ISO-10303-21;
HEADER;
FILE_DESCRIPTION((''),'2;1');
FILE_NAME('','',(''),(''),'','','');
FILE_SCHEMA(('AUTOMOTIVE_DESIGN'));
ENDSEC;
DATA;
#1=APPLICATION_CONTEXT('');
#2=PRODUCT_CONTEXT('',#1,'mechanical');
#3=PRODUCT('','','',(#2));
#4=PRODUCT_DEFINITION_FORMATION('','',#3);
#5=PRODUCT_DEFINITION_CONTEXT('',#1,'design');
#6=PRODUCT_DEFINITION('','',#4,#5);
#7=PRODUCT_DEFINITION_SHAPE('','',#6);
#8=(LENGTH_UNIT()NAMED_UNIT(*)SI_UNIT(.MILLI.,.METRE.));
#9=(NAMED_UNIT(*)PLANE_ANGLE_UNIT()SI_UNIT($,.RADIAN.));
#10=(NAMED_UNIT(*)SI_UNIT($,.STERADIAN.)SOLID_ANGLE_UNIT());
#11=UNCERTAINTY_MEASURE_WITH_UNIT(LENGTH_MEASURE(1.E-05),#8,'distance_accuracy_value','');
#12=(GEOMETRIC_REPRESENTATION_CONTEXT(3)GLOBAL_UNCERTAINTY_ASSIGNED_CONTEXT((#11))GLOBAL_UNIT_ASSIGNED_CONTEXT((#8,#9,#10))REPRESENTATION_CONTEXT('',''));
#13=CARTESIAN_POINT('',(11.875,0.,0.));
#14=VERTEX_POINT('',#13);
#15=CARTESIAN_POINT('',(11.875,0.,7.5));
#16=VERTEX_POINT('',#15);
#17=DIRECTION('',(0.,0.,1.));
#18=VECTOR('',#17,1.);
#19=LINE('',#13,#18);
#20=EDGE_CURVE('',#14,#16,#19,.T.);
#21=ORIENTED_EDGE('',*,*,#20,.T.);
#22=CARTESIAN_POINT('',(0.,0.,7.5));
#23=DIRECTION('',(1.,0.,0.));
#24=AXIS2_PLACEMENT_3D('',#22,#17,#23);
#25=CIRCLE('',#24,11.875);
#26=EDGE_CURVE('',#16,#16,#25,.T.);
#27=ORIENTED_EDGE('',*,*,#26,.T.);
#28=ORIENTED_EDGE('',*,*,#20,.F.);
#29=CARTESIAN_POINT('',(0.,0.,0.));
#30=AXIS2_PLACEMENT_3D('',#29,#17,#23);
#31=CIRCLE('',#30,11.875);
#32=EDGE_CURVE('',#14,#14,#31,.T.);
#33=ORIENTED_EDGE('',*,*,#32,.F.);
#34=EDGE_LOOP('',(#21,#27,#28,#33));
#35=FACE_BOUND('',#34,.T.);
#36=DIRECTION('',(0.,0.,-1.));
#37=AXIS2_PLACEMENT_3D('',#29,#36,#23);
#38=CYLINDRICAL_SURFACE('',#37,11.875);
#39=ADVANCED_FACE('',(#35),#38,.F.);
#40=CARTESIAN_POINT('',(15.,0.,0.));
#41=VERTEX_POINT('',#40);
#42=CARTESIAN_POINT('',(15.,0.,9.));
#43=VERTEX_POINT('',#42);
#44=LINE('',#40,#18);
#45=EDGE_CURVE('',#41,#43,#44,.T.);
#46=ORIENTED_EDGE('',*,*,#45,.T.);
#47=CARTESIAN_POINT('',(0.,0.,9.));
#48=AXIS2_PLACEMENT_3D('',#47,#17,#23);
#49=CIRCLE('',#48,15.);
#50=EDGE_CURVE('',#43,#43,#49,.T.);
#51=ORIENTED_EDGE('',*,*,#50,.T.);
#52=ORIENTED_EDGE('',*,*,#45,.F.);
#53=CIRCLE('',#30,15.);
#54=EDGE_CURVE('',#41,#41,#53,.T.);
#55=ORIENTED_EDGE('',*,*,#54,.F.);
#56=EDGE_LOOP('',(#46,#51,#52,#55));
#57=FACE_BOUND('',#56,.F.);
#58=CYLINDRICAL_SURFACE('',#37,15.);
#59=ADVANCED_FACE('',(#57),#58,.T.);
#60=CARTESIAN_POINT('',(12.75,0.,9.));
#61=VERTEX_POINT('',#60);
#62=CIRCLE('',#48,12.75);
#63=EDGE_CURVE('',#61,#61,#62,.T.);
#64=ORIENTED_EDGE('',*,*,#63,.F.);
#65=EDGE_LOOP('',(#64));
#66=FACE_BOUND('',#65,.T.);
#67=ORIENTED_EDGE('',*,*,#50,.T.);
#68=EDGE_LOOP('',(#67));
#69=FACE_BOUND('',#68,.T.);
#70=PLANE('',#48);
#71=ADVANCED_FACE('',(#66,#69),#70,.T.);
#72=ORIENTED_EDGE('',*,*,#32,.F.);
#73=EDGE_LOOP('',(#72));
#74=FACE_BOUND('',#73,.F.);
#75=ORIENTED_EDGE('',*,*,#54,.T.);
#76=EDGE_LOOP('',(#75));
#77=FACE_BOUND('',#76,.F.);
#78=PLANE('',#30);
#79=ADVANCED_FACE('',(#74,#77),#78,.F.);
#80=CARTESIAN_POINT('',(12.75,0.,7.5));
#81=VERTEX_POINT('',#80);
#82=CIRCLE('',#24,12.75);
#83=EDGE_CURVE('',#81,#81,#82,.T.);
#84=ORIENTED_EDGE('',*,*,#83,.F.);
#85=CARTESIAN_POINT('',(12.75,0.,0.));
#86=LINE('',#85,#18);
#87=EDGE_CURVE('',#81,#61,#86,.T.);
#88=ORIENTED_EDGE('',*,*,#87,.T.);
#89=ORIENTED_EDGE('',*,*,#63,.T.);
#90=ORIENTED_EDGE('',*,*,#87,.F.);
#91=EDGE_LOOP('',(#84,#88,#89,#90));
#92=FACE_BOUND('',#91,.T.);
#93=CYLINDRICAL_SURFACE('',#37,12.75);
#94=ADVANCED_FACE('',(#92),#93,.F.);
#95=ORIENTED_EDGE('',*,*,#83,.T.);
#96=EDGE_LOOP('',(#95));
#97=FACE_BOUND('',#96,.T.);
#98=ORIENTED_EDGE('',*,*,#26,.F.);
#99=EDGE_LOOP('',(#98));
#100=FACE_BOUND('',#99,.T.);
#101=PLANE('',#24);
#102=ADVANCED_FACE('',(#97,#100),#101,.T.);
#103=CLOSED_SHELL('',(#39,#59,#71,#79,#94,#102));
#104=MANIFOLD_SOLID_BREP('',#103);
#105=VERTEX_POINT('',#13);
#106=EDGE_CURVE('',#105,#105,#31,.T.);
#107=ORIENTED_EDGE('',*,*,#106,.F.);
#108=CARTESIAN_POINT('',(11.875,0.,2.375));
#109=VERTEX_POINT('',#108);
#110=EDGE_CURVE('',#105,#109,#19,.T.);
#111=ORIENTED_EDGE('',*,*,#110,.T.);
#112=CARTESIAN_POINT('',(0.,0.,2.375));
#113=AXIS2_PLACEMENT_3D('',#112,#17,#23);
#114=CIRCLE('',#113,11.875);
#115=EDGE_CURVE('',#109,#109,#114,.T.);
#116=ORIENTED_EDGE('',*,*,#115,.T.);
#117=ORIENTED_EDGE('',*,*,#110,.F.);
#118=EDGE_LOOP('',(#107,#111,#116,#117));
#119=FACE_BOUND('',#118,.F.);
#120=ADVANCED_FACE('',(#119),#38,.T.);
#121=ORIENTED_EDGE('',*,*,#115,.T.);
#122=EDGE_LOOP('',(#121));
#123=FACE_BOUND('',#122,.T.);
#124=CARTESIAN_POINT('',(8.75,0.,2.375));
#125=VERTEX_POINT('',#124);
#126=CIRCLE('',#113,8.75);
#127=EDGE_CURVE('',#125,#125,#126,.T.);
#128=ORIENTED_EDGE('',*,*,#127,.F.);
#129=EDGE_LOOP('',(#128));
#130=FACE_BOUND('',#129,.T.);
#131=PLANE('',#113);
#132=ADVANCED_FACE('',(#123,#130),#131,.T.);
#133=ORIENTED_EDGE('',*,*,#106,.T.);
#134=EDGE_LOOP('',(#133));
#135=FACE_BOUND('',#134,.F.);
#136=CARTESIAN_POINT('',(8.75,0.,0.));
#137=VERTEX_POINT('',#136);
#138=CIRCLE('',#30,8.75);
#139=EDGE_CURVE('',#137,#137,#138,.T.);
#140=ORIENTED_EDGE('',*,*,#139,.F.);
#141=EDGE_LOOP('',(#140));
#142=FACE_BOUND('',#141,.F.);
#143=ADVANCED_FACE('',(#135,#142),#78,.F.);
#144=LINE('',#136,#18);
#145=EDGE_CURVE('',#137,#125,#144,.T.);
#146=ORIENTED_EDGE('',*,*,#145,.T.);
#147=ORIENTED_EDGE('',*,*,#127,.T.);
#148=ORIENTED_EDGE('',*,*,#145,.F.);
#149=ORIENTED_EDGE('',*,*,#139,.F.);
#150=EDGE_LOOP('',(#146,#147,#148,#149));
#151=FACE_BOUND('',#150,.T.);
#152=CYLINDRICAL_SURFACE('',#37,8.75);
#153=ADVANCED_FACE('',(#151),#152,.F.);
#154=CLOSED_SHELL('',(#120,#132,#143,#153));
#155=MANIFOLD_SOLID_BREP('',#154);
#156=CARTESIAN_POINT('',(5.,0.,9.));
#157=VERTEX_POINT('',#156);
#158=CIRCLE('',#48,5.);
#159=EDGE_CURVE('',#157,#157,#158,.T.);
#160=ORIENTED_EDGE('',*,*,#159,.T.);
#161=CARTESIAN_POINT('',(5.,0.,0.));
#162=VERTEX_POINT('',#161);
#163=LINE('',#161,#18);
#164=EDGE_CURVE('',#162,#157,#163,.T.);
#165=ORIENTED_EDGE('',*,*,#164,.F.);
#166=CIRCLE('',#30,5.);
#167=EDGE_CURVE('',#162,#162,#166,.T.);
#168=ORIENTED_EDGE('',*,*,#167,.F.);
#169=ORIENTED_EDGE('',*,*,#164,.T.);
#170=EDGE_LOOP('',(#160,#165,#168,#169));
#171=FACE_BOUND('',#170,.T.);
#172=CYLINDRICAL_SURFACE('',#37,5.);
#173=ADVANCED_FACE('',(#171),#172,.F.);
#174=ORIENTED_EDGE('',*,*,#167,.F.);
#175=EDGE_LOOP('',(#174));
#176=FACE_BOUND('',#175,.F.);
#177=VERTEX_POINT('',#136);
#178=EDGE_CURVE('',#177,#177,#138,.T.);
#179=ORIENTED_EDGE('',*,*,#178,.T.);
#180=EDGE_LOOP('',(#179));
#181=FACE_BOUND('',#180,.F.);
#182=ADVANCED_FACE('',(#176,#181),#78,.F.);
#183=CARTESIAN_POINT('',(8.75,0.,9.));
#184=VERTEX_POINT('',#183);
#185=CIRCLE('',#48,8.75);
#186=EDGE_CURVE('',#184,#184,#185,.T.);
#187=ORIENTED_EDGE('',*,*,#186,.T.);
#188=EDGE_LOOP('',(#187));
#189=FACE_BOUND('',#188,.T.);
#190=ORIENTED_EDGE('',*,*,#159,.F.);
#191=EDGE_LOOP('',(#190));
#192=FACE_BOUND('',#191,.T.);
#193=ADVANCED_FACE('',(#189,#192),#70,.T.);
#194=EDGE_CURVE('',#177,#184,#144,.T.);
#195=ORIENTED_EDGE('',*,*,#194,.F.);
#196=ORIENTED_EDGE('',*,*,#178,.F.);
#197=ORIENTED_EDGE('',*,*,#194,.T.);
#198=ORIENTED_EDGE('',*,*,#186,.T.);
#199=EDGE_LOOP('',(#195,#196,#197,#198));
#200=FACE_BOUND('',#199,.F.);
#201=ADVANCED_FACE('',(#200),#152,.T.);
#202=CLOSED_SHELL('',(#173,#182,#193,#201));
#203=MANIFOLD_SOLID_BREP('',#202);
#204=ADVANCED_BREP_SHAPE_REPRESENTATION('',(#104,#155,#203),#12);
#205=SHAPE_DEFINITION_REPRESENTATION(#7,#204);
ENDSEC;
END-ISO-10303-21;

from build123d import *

# Parameters (mm, degrees)
F0_R     = 15
F0_R_2   = 12.75
F0_R_3   = 8.75
F0_R_4   = 5
F1_DEPTH = 9
F0_R_5   = 11.875
F2_DEPTH = 7.5
F3_DEPTH = 2.375


with BuildPart() as f1:
    # F0 (on Top) → F1 (new body)
    with BuildSketch(Plane.XY):
        Circle(F0_R)
        Circle(F0_R_2, mode=Mode.SUBTRACT)
        Circle(F0_R_3)
        Circle(F0_R_4, mode=Mode.SUBTRACT)
    extrude(amount=F1_DEPTH)

    # F0 (on Top) → F2 (join)
    with BuildSketch(Plane.XY):
        Circle(F0_R_2)
        Circle(F0_R_5, mode=Mode.SUBTRACT)
    extrude(amount=F2_DEPTH)


with BuildPart() as f3:
    # F0 (on Top) → F3 (new body)
    with BuildSketch(Plane.XY):
        Circle(F0_R_5)
        Circle(F0_R_3, mode=Mode.SUBTRACT)
    extrude(amount=F3_DEPTH)


solid = Compound([f1.part, f3.part])
